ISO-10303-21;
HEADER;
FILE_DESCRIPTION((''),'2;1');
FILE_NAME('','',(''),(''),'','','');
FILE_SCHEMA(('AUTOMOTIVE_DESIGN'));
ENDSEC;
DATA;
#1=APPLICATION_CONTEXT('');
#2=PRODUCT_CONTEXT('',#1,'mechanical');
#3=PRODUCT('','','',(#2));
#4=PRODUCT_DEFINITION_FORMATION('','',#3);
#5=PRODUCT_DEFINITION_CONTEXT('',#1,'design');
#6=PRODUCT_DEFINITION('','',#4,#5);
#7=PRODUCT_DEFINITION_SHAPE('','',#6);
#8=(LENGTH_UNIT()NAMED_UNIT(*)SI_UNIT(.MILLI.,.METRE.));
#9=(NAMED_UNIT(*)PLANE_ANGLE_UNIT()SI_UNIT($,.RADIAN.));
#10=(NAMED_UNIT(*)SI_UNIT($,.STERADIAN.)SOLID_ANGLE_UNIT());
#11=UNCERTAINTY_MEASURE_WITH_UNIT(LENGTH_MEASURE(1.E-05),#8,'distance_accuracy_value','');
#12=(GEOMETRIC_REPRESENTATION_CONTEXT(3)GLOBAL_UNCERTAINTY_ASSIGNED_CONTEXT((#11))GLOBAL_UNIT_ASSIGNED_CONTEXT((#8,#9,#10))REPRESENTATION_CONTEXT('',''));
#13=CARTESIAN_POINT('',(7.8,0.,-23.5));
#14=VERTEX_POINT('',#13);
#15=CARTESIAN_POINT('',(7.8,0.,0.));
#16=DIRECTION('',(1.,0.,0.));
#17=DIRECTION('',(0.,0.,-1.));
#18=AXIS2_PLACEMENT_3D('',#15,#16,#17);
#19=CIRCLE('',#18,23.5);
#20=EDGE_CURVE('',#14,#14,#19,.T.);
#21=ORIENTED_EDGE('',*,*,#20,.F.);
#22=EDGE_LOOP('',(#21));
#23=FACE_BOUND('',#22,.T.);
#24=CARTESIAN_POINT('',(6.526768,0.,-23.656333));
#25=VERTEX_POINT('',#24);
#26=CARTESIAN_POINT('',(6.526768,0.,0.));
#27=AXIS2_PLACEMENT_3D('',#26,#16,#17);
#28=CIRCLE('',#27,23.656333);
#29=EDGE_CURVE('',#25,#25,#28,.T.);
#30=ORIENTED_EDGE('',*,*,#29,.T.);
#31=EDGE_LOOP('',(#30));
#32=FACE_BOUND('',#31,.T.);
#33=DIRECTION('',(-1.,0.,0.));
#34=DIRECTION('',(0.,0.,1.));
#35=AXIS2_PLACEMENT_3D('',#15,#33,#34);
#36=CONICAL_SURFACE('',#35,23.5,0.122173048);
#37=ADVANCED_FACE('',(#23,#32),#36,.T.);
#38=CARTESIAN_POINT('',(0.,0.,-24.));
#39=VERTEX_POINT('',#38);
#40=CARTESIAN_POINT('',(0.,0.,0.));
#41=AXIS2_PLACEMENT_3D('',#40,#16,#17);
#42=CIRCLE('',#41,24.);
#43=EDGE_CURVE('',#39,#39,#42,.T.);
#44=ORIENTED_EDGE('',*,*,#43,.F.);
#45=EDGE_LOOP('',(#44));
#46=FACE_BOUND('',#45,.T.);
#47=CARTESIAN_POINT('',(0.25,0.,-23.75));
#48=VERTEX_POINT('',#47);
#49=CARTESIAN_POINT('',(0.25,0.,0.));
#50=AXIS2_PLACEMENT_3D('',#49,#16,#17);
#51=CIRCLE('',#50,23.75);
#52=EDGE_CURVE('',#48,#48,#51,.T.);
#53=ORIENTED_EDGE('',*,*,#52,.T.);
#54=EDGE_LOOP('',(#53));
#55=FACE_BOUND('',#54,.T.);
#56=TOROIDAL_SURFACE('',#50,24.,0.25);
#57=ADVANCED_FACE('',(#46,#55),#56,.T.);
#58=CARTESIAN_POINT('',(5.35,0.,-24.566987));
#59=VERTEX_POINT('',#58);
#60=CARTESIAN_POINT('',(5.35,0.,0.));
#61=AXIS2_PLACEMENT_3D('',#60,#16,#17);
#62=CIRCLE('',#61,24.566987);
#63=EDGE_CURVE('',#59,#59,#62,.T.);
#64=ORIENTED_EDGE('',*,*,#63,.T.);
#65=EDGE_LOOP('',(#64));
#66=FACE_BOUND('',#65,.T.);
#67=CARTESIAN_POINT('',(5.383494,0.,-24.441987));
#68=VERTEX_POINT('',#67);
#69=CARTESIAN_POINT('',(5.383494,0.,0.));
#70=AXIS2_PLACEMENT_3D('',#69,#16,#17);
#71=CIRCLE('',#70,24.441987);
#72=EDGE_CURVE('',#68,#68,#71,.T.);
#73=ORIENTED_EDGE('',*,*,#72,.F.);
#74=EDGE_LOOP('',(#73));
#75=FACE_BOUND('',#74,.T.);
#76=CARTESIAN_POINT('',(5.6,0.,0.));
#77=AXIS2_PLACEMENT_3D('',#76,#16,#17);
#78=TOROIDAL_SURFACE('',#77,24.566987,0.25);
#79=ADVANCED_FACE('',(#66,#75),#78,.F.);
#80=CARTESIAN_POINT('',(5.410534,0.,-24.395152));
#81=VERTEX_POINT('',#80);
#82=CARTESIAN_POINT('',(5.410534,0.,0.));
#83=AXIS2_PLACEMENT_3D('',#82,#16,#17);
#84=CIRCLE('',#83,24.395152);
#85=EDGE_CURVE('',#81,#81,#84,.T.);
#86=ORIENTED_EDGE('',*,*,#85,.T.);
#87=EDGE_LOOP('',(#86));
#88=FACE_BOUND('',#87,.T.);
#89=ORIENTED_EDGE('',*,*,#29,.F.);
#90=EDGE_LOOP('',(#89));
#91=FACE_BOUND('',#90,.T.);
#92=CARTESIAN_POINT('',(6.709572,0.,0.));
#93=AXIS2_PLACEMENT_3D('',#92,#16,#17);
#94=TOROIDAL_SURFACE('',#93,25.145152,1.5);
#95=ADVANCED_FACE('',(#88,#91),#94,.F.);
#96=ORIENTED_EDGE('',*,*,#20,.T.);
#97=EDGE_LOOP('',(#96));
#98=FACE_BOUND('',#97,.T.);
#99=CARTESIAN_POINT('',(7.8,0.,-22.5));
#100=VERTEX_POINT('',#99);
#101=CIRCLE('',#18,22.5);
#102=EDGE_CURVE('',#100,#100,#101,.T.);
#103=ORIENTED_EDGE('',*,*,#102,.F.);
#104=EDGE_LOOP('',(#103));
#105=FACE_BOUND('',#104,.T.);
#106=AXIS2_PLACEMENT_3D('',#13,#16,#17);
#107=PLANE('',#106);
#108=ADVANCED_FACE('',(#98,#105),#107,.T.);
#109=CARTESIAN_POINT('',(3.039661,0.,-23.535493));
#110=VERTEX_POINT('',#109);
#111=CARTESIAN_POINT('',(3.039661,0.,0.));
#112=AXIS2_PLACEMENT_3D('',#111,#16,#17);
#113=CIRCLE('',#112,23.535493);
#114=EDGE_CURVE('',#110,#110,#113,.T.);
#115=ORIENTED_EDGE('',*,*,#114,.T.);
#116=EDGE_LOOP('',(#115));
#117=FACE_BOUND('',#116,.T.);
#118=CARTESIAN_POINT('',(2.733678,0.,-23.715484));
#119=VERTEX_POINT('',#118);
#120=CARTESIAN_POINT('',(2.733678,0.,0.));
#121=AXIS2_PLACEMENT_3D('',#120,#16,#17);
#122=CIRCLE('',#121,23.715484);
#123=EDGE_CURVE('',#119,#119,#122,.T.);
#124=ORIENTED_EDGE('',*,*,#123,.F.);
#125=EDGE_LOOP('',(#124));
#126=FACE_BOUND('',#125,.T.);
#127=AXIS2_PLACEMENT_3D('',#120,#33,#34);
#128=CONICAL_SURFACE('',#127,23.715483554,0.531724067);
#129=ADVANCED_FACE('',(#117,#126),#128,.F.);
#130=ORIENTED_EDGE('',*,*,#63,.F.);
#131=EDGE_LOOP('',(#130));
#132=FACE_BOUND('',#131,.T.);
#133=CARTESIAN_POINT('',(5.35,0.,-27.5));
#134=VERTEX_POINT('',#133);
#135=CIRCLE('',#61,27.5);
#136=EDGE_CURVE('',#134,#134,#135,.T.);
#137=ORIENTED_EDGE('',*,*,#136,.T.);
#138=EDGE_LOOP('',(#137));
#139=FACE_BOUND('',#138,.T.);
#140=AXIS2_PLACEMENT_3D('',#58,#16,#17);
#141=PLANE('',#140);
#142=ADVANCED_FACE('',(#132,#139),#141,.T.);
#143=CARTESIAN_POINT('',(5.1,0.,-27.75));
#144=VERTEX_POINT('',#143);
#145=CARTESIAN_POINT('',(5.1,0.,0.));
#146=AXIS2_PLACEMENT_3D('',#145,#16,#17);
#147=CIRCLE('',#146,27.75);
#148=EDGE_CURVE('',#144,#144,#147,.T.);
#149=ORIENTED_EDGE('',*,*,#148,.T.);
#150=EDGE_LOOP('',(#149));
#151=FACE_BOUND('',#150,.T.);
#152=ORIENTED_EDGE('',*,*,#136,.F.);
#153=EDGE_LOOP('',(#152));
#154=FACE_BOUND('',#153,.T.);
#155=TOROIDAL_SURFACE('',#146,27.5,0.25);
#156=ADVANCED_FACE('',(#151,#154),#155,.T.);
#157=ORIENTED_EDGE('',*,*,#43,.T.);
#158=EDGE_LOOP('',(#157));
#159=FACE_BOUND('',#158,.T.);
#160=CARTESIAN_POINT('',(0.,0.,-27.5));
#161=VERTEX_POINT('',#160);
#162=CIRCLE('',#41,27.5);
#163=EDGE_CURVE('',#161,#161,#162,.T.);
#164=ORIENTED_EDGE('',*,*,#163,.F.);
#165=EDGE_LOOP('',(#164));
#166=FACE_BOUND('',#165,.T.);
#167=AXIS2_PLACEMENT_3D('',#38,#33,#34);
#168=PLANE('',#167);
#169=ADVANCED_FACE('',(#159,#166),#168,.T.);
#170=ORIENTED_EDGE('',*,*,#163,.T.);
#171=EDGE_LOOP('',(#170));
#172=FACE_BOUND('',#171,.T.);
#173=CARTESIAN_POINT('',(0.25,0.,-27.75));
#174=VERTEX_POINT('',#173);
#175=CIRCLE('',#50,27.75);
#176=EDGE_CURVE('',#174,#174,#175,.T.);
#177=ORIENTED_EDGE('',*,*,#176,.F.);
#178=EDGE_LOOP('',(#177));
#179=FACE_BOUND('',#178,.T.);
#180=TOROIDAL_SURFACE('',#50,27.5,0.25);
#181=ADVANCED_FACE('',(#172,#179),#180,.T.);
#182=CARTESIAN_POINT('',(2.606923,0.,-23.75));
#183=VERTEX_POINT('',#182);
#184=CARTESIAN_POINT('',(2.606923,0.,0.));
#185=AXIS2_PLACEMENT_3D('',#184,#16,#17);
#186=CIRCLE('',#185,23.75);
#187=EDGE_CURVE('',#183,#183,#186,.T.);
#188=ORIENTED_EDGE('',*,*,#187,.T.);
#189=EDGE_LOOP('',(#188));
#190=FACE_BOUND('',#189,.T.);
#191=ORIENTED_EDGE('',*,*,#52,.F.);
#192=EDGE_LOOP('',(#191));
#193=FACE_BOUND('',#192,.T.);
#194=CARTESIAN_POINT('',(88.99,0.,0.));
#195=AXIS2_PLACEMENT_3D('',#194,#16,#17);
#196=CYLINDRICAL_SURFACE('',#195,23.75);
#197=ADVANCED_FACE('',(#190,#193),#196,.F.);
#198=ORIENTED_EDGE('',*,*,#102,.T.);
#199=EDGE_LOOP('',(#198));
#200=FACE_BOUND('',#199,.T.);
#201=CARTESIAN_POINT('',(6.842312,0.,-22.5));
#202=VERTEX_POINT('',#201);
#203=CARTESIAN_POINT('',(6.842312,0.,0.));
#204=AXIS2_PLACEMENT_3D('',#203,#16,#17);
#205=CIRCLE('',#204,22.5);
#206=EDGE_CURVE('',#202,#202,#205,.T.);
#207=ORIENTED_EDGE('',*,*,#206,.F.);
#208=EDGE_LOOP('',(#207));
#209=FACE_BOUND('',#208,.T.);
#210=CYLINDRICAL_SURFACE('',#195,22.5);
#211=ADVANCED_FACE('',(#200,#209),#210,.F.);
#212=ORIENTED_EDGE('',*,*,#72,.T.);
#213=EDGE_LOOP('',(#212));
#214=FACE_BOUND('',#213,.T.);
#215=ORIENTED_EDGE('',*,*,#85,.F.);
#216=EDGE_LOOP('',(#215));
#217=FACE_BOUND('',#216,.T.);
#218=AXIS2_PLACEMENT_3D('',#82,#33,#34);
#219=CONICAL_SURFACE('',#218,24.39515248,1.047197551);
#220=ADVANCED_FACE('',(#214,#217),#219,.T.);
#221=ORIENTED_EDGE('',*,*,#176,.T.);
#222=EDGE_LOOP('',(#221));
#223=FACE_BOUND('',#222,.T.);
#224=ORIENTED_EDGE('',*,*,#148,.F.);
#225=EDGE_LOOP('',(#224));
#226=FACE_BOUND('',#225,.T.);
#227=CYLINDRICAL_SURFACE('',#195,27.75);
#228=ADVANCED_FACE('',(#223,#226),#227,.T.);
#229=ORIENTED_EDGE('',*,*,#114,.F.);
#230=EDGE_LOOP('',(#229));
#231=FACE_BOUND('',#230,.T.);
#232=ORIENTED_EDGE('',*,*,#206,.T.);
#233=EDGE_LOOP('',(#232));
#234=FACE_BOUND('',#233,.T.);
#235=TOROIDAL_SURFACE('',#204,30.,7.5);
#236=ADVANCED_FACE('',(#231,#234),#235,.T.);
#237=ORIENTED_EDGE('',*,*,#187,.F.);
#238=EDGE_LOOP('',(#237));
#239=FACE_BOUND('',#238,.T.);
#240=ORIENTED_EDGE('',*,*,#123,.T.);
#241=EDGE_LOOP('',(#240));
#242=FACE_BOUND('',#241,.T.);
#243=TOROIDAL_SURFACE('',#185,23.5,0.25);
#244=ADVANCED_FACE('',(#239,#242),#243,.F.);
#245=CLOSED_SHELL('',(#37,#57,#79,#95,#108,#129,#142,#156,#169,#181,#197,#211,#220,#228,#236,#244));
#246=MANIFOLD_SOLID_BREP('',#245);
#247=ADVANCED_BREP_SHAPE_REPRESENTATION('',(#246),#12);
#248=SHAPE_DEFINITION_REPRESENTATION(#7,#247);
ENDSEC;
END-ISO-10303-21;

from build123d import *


with BuildPart() as part:
    # Sketch1 → Revolve1 (revolve)
    with BuildSketch(Plane(origin=(0, 0, 0), x_dir=(1, 0, 0), z_dir=(0, 1, 0))):
        with BuildLine():
            Line((7.8, 23.5), (7.8, 22.5))
            Line((7.8, 22.5), (6.842312192, 22.5))
            ThreePointArc((6.842312192, 22.5), (4.871753846, 22.763502242), (3.039661243, 23.535493386))
            Line((3.039661243, 23.535493386), (2.733677959, 23.715483554))
            ThreePointArc((2.733677959, 23.715483554), (2.672608205, 23.741216592), (2.606922927, 23.75))
            Line((2.606922927, 23.75), (0.25, 23.75))
            ThreePointArc((0.25, 23.75), (0.073223305, 23.823223305), (0, 24))
            Line((0, 24), (0, 27.5))
            ThreePointArc((0, 27.5), (0.073223305, 27.676776695), (0.25, 27.75))
            Line((0.25, 27.75), (5.1, 27.75))
            ThreePointArc((5.1, 27.75), (5.276776695, 27.676776695), (5.35, 27.5))
            Line((5.35, 27.5), (5.35, 24.566987298))
            ThreePointArc((5.35, 24.566987298), (5.358518543, 24.502282537), (5.383493649, 24.441987298))
            Line((5.383493649, 24.441987298), (5.410533744, 24.39515248))
            ThreePointArc((5.410533744, 24.39515248), (5.881666372, 23.894323747), (6.526767835, 23.656333252))
            Line((6.526767835, 23.656333252), (7.8, 23.5))
        make_face()
    revolve(axis=Axis((88.99, 0, 0), (-1, 0, 0)))


solid = part.part
